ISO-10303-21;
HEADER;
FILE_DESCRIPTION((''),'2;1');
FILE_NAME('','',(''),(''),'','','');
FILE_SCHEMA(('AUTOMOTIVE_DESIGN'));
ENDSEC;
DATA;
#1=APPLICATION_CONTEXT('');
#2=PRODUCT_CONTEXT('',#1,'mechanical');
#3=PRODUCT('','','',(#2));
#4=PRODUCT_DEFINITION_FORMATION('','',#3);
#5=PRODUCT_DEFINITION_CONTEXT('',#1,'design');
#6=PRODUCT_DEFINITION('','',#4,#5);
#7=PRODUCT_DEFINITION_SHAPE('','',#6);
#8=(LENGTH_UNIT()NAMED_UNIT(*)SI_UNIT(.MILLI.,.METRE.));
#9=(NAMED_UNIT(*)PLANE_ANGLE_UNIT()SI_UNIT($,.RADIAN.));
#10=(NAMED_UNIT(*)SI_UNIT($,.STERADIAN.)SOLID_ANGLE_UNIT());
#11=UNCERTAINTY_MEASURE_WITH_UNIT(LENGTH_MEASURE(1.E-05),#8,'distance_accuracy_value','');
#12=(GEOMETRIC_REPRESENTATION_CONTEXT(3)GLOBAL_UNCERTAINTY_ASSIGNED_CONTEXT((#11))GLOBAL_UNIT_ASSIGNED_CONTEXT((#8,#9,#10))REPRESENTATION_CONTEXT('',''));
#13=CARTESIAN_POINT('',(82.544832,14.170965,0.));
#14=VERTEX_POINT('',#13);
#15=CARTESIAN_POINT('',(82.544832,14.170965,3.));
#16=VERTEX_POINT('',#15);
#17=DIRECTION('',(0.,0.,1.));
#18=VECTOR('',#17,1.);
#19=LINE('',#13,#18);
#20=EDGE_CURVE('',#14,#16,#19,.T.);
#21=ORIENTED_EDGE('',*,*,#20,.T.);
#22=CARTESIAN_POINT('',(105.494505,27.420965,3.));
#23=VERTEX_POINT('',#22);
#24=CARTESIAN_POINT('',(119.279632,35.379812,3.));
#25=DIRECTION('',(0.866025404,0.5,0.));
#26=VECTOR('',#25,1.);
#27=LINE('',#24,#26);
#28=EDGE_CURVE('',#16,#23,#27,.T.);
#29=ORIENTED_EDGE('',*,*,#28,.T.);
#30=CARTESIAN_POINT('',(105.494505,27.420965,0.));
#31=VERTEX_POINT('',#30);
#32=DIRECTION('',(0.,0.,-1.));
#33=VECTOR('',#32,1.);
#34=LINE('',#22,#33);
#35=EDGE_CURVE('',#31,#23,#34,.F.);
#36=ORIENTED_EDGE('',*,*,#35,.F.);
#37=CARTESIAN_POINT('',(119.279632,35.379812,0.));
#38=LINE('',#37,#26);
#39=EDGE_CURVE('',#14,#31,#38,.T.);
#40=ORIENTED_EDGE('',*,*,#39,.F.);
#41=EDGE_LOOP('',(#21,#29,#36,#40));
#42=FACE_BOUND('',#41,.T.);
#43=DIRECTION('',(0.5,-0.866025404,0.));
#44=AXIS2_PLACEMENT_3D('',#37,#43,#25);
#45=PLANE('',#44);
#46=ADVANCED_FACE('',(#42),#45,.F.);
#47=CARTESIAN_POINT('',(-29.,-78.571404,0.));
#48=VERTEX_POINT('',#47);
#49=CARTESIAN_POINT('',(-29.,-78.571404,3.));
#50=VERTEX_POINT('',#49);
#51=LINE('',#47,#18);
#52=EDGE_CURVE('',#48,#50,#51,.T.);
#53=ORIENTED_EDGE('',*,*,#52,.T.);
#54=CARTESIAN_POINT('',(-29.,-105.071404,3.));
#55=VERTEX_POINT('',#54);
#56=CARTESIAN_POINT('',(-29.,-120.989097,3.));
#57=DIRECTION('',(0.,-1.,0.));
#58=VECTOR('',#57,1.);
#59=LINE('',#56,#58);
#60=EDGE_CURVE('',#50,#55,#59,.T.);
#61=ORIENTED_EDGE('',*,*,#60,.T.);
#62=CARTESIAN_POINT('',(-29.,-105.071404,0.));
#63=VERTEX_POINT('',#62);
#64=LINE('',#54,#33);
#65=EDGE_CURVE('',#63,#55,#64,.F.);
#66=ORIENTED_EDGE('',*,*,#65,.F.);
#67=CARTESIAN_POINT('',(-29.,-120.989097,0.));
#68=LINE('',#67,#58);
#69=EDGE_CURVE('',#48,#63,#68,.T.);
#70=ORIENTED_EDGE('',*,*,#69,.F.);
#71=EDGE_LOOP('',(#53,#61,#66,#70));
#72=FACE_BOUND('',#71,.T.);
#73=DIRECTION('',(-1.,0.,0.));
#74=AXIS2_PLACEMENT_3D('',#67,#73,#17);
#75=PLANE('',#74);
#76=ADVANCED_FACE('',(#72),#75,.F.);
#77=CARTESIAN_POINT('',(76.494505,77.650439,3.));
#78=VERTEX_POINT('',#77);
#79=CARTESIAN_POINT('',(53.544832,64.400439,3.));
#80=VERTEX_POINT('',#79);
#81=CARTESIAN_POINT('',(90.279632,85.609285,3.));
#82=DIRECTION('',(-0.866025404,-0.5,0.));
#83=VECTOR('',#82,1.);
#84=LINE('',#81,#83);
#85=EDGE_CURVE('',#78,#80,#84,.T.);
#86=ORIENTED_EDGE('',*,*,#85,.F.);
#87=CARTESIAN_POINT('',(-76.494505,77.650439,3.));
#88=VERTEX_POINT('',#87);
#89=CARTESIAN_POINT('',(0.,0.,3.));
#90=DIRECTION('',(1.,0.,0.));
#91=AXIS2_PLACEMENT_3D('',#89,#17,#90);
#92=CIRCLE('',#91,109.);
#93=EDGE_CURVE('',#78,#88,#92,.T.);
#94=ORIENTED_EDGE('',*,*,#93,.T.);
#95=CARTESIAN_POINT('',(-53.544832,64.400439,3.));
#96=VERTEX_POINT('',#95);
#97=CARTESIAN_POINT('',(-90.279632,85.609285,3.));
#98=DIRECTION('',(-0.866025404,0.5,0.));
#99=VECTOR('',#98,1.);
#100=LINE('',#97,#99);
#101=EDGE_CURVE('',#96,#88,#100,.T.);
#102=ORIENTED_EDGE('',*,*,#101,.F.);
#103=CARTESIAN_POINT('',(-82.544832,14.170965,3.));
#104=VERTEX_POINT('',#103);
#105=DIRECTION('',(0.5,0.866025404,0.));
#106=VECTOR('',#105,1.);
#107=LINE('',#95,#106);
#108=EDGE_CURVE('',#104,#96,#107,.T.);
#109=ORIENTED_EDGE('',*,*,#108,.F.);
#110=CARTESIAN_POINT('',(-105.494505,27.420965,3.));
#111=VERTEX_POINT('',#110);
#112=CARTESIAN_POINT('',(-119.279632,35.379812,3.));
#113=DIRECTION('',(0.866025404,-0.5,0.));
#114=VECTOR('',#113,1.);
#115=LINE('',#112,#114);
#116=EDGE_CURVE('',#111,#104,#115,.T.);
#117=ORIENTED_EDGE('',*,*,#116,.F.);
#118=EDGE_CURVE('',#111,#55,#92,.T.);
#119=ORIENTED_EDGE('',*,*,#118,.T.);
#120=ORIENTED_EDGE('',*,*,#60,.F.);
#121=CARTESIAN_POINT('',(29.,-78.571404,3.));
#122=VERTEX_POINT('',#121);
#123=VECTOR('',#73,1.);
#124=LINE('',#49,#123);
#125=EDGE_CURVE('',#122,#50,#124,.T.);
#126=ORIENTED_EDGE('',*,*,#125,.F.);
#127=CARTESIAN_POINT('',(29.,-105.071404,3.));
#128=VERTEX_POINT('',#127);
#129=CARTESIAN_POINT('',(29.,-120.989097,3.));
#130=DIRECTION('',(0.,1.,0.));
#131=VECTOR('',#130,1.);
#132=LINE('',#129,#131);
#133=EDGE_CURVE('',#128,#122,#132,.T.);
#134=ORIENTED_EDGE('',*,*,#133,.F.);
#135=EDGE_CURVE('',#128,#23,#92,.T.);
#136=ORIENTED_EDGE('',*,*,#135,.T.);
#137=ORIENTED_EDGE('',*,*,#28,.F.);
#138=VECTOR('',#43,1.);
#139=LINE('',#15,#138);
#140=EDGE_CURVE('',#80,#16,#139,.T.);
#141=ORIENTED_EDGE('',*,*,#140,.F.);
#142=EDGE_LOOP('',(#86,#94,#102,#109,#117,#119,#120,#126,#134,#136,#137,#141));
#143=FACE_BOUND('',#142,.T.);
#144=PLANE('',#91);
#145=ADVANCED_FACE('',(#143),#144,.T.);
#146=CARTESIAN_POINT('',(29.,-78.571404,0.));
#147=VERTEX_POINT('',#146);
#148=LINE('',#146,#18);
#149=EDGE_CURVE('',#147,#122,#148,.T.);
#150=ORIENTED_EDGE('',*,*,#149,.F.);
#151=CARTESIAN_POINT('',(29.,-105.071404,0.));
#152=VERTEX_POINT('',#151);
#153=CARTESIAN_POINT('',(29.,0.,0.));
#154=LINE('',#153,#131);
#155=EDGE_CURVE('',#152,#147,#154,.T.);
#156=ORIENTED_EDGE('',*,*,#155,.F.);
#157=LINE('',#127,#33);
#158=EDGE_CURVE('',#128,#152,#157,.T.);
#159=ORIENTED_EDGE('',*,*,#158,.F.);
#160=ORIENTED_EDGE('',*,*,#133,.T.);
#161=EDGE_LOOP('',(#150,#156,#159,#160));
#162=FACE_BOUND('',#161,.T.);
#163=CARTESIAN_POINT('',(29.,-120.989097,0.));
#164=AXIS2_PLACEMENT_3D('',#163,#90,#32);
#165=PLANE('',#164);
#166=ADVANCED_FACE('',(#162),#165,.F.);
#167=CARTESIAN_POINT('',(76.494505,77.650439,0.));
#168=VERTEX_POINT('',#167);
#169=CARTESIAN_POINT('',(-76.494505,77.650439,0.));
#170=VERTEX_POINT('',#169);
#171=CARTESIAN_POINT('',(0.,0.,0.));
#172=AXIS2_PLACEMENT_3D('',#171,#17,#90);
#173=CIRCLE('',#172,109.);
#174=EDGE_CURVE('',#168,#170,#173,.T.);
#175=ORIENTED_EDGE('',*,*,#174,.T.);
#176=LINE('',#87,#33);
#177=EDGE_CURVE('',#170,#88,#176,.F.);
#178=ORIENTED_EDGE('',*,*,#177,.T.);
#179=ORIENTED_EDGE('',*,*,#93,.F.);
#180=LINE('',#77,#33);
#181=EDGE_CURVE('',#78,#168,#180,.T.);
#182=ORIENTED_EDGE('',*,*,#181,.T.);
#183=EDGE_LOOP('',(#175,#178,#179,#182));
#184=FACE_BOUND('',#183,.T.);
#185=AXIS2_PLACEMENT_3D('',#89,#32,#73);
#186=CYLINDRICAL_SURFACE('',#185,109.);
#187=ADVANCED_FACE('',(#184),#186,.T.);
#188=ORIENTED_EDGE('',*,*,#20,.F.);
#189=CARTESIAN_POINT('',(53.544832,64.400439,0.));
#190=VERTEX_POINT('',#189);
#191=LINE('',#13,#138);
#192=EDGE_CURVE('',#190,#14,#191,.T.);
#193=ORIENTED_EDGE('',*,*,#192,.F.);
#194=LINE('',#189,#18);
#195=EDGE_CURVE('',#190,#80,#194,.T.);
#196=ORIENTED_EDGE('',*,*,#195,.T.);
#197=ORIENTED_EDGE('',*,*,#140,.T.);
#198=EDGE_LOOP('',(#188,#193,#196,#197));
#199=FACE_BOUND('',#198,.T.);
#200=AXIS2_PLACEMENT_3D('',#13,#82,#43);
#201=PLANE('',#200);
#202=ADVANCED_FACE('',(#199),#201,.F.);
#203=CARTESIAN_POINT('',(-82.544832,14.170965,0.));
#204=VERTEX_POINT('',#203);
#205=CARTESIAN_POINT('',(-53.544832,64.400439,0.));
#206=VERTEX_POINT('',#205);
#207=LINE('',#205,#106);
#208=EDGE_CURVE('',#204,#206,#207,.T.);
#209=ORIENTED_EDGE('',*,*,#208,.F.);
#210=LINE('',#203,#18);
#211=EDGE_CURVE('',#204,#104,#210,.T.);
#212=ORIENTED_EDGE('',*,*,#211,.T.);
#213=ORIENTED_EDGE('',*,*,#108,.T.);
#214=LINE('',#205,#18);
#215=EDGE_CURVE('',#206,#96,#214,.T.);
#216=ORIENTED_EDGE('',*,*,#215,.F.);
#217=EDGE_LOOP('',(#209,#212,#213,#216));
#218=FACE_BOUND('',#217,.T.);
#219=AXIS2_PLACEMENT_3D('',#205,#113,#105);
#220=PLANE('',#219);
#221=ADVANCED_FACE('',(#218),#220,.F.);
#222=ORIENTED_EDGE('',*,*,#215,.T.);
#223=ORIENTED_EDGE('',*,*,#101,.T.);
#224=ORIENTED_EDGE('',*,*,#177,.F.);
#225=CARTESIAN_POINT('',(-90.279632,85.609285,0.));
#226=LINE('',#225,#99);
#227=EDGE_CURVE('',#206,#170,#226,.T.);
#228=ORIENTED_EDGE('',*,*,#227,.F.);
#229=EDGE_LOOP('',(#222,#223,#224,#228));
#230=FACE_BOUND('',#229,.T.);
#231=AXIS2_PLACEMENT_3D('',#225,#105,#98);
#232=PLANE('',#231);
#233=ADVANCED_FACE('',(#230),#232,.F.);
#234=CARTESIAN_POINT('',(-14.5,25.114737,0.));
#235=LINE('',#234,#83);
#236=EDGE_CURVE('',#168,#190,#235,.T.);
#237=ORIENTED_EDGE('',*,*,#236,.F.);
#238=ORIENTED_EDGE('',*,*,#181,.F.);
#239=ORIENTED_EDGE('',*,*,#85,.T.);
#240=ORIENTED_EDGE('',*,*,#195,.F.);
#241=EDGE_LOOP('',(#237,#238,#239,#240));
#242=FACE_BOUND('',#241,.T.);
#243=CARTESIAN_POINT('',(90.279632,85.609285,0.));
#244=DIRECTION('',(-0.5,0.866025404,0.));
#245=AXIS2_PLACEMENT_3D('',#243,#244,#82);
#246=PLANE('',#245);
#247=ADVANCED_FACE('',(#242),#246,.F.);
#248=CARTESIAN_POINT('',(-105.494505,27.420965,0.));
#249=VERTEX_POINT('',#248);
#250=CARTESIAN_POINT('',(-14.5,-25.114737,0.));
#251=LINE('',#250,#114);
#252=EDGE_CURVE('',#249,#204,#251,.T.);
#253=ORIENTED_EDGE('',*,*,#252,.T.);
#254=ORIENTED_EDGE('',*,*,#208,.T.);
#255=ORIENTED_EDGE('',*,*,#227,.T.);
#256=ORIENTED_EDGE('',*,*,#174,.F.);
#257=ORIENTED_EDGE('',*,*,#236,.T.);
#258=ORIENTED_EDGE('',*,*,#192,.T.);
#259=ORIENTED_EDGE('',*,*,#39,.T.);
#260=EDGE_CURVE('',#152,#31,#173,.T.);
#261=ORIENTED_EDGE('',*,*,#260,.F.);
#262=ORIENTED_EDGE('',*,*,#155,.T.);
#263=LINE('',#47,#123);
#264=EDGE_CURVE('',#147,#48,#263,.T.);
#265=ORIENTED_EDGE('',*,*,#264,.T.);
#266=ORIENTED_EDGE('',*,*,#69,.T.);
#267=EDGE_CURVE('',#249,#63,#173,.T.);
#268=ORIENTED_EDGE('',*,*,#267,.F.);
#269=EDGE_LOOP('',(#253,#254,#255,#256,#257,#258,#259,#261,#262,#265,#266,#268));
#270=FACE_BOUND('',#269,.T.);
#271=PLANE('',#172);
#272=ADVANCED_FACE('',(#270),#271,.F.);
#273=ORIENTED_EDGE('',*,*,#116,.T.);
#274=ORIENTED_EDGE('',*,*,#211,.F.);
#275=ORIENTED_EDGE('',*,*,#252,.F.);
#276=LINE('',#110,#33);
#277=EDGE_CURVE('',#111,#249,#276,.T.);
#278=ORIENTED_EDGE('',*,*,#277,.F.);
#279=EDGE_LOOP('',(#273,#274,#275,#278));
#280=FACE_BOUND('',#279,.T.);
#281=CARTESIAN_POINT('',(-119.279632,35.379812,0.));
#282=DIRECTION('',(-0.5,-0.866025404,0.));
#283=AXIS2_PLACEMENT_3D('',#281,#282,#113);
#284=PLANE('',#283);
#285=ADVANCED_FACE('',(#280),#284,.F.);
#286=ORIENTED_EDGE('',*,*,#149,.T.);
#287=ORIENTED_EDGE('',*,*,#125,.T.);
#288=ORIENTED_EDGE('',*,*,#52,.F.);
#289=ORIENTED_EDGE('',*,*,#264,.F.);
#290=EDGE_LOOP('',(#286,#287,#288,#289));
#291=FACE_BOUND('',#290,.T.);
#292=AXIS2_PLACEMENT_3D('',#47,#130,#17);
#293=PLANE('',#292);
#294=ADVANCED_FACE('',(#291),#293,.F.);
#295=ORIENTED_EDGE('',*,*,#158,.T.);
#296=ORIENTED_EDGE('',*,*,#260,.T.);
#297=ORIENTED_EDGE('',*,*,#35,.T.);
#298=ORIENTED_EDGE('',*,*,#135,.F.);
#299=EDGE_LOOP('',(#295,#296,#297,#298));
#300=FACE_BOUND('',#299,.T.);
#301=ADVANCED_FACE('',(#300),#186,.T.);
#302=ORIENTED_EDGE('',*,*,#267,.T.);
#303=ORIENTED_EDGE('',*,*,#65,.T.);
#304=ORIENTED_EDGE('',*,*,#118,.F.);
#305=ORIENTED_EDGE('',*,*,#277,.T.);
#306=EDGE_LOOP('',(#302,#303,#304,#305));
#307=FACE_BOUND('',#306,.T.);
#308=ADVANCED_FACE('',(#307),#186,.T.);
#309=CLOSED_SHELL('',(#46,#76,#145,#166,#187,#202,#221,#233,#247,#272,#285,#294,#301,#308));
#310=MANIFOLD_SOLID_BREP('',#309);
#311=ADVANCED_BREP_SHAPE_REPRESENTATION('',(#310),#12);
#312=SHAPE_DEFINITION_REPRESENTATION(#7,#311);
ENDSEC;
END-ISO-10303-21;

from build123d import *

# Parameters (mm, degrees)
ESQUISSE2_R             = 109
BOSS_EXTRU_1_DEPTH      = 3
ESQUISSE3_W             = 58
ESQUISSE3_H             = 42.41769301
ENL_V_MAT_EXTRU_1_DEPTH = 3


with BuildPart() as part:
    # Esquisse2 → Boss.-Extru.1 (new body)
    with BuildSketch(Plane.XY):
        Circle(ESQUISSE2_R)
    extrude(amount=BOSS_EXTRU_1_DEPTH)

    # Esquisse3 → Enlèv. mat.-Extru.1 (cut)
    with BuildSketch(Plane.XY.offset(3)):
        with Locations((0, -99.780250798)):
            Rectangle(ESQUISSE3_W, ESQUISSE3_H)
        Polygon((-90.279631846, 85.609285361), (-119.279631846, 35.379811942), (-82.544832128, 14.170965437), (-53.544832128, 64.400438856), align=None)
        Polygon((119.279631846, 35.379811942), (90.279631846, 85.609285361), (53.544832128, 64.400438856), (82.544832128, 14.170965437), align=None)
    extrude(amount=-ENL_V_MAT_EXTRU_1_DEPTH, mode=Mode.SUBTRACT)


solid = part.part
